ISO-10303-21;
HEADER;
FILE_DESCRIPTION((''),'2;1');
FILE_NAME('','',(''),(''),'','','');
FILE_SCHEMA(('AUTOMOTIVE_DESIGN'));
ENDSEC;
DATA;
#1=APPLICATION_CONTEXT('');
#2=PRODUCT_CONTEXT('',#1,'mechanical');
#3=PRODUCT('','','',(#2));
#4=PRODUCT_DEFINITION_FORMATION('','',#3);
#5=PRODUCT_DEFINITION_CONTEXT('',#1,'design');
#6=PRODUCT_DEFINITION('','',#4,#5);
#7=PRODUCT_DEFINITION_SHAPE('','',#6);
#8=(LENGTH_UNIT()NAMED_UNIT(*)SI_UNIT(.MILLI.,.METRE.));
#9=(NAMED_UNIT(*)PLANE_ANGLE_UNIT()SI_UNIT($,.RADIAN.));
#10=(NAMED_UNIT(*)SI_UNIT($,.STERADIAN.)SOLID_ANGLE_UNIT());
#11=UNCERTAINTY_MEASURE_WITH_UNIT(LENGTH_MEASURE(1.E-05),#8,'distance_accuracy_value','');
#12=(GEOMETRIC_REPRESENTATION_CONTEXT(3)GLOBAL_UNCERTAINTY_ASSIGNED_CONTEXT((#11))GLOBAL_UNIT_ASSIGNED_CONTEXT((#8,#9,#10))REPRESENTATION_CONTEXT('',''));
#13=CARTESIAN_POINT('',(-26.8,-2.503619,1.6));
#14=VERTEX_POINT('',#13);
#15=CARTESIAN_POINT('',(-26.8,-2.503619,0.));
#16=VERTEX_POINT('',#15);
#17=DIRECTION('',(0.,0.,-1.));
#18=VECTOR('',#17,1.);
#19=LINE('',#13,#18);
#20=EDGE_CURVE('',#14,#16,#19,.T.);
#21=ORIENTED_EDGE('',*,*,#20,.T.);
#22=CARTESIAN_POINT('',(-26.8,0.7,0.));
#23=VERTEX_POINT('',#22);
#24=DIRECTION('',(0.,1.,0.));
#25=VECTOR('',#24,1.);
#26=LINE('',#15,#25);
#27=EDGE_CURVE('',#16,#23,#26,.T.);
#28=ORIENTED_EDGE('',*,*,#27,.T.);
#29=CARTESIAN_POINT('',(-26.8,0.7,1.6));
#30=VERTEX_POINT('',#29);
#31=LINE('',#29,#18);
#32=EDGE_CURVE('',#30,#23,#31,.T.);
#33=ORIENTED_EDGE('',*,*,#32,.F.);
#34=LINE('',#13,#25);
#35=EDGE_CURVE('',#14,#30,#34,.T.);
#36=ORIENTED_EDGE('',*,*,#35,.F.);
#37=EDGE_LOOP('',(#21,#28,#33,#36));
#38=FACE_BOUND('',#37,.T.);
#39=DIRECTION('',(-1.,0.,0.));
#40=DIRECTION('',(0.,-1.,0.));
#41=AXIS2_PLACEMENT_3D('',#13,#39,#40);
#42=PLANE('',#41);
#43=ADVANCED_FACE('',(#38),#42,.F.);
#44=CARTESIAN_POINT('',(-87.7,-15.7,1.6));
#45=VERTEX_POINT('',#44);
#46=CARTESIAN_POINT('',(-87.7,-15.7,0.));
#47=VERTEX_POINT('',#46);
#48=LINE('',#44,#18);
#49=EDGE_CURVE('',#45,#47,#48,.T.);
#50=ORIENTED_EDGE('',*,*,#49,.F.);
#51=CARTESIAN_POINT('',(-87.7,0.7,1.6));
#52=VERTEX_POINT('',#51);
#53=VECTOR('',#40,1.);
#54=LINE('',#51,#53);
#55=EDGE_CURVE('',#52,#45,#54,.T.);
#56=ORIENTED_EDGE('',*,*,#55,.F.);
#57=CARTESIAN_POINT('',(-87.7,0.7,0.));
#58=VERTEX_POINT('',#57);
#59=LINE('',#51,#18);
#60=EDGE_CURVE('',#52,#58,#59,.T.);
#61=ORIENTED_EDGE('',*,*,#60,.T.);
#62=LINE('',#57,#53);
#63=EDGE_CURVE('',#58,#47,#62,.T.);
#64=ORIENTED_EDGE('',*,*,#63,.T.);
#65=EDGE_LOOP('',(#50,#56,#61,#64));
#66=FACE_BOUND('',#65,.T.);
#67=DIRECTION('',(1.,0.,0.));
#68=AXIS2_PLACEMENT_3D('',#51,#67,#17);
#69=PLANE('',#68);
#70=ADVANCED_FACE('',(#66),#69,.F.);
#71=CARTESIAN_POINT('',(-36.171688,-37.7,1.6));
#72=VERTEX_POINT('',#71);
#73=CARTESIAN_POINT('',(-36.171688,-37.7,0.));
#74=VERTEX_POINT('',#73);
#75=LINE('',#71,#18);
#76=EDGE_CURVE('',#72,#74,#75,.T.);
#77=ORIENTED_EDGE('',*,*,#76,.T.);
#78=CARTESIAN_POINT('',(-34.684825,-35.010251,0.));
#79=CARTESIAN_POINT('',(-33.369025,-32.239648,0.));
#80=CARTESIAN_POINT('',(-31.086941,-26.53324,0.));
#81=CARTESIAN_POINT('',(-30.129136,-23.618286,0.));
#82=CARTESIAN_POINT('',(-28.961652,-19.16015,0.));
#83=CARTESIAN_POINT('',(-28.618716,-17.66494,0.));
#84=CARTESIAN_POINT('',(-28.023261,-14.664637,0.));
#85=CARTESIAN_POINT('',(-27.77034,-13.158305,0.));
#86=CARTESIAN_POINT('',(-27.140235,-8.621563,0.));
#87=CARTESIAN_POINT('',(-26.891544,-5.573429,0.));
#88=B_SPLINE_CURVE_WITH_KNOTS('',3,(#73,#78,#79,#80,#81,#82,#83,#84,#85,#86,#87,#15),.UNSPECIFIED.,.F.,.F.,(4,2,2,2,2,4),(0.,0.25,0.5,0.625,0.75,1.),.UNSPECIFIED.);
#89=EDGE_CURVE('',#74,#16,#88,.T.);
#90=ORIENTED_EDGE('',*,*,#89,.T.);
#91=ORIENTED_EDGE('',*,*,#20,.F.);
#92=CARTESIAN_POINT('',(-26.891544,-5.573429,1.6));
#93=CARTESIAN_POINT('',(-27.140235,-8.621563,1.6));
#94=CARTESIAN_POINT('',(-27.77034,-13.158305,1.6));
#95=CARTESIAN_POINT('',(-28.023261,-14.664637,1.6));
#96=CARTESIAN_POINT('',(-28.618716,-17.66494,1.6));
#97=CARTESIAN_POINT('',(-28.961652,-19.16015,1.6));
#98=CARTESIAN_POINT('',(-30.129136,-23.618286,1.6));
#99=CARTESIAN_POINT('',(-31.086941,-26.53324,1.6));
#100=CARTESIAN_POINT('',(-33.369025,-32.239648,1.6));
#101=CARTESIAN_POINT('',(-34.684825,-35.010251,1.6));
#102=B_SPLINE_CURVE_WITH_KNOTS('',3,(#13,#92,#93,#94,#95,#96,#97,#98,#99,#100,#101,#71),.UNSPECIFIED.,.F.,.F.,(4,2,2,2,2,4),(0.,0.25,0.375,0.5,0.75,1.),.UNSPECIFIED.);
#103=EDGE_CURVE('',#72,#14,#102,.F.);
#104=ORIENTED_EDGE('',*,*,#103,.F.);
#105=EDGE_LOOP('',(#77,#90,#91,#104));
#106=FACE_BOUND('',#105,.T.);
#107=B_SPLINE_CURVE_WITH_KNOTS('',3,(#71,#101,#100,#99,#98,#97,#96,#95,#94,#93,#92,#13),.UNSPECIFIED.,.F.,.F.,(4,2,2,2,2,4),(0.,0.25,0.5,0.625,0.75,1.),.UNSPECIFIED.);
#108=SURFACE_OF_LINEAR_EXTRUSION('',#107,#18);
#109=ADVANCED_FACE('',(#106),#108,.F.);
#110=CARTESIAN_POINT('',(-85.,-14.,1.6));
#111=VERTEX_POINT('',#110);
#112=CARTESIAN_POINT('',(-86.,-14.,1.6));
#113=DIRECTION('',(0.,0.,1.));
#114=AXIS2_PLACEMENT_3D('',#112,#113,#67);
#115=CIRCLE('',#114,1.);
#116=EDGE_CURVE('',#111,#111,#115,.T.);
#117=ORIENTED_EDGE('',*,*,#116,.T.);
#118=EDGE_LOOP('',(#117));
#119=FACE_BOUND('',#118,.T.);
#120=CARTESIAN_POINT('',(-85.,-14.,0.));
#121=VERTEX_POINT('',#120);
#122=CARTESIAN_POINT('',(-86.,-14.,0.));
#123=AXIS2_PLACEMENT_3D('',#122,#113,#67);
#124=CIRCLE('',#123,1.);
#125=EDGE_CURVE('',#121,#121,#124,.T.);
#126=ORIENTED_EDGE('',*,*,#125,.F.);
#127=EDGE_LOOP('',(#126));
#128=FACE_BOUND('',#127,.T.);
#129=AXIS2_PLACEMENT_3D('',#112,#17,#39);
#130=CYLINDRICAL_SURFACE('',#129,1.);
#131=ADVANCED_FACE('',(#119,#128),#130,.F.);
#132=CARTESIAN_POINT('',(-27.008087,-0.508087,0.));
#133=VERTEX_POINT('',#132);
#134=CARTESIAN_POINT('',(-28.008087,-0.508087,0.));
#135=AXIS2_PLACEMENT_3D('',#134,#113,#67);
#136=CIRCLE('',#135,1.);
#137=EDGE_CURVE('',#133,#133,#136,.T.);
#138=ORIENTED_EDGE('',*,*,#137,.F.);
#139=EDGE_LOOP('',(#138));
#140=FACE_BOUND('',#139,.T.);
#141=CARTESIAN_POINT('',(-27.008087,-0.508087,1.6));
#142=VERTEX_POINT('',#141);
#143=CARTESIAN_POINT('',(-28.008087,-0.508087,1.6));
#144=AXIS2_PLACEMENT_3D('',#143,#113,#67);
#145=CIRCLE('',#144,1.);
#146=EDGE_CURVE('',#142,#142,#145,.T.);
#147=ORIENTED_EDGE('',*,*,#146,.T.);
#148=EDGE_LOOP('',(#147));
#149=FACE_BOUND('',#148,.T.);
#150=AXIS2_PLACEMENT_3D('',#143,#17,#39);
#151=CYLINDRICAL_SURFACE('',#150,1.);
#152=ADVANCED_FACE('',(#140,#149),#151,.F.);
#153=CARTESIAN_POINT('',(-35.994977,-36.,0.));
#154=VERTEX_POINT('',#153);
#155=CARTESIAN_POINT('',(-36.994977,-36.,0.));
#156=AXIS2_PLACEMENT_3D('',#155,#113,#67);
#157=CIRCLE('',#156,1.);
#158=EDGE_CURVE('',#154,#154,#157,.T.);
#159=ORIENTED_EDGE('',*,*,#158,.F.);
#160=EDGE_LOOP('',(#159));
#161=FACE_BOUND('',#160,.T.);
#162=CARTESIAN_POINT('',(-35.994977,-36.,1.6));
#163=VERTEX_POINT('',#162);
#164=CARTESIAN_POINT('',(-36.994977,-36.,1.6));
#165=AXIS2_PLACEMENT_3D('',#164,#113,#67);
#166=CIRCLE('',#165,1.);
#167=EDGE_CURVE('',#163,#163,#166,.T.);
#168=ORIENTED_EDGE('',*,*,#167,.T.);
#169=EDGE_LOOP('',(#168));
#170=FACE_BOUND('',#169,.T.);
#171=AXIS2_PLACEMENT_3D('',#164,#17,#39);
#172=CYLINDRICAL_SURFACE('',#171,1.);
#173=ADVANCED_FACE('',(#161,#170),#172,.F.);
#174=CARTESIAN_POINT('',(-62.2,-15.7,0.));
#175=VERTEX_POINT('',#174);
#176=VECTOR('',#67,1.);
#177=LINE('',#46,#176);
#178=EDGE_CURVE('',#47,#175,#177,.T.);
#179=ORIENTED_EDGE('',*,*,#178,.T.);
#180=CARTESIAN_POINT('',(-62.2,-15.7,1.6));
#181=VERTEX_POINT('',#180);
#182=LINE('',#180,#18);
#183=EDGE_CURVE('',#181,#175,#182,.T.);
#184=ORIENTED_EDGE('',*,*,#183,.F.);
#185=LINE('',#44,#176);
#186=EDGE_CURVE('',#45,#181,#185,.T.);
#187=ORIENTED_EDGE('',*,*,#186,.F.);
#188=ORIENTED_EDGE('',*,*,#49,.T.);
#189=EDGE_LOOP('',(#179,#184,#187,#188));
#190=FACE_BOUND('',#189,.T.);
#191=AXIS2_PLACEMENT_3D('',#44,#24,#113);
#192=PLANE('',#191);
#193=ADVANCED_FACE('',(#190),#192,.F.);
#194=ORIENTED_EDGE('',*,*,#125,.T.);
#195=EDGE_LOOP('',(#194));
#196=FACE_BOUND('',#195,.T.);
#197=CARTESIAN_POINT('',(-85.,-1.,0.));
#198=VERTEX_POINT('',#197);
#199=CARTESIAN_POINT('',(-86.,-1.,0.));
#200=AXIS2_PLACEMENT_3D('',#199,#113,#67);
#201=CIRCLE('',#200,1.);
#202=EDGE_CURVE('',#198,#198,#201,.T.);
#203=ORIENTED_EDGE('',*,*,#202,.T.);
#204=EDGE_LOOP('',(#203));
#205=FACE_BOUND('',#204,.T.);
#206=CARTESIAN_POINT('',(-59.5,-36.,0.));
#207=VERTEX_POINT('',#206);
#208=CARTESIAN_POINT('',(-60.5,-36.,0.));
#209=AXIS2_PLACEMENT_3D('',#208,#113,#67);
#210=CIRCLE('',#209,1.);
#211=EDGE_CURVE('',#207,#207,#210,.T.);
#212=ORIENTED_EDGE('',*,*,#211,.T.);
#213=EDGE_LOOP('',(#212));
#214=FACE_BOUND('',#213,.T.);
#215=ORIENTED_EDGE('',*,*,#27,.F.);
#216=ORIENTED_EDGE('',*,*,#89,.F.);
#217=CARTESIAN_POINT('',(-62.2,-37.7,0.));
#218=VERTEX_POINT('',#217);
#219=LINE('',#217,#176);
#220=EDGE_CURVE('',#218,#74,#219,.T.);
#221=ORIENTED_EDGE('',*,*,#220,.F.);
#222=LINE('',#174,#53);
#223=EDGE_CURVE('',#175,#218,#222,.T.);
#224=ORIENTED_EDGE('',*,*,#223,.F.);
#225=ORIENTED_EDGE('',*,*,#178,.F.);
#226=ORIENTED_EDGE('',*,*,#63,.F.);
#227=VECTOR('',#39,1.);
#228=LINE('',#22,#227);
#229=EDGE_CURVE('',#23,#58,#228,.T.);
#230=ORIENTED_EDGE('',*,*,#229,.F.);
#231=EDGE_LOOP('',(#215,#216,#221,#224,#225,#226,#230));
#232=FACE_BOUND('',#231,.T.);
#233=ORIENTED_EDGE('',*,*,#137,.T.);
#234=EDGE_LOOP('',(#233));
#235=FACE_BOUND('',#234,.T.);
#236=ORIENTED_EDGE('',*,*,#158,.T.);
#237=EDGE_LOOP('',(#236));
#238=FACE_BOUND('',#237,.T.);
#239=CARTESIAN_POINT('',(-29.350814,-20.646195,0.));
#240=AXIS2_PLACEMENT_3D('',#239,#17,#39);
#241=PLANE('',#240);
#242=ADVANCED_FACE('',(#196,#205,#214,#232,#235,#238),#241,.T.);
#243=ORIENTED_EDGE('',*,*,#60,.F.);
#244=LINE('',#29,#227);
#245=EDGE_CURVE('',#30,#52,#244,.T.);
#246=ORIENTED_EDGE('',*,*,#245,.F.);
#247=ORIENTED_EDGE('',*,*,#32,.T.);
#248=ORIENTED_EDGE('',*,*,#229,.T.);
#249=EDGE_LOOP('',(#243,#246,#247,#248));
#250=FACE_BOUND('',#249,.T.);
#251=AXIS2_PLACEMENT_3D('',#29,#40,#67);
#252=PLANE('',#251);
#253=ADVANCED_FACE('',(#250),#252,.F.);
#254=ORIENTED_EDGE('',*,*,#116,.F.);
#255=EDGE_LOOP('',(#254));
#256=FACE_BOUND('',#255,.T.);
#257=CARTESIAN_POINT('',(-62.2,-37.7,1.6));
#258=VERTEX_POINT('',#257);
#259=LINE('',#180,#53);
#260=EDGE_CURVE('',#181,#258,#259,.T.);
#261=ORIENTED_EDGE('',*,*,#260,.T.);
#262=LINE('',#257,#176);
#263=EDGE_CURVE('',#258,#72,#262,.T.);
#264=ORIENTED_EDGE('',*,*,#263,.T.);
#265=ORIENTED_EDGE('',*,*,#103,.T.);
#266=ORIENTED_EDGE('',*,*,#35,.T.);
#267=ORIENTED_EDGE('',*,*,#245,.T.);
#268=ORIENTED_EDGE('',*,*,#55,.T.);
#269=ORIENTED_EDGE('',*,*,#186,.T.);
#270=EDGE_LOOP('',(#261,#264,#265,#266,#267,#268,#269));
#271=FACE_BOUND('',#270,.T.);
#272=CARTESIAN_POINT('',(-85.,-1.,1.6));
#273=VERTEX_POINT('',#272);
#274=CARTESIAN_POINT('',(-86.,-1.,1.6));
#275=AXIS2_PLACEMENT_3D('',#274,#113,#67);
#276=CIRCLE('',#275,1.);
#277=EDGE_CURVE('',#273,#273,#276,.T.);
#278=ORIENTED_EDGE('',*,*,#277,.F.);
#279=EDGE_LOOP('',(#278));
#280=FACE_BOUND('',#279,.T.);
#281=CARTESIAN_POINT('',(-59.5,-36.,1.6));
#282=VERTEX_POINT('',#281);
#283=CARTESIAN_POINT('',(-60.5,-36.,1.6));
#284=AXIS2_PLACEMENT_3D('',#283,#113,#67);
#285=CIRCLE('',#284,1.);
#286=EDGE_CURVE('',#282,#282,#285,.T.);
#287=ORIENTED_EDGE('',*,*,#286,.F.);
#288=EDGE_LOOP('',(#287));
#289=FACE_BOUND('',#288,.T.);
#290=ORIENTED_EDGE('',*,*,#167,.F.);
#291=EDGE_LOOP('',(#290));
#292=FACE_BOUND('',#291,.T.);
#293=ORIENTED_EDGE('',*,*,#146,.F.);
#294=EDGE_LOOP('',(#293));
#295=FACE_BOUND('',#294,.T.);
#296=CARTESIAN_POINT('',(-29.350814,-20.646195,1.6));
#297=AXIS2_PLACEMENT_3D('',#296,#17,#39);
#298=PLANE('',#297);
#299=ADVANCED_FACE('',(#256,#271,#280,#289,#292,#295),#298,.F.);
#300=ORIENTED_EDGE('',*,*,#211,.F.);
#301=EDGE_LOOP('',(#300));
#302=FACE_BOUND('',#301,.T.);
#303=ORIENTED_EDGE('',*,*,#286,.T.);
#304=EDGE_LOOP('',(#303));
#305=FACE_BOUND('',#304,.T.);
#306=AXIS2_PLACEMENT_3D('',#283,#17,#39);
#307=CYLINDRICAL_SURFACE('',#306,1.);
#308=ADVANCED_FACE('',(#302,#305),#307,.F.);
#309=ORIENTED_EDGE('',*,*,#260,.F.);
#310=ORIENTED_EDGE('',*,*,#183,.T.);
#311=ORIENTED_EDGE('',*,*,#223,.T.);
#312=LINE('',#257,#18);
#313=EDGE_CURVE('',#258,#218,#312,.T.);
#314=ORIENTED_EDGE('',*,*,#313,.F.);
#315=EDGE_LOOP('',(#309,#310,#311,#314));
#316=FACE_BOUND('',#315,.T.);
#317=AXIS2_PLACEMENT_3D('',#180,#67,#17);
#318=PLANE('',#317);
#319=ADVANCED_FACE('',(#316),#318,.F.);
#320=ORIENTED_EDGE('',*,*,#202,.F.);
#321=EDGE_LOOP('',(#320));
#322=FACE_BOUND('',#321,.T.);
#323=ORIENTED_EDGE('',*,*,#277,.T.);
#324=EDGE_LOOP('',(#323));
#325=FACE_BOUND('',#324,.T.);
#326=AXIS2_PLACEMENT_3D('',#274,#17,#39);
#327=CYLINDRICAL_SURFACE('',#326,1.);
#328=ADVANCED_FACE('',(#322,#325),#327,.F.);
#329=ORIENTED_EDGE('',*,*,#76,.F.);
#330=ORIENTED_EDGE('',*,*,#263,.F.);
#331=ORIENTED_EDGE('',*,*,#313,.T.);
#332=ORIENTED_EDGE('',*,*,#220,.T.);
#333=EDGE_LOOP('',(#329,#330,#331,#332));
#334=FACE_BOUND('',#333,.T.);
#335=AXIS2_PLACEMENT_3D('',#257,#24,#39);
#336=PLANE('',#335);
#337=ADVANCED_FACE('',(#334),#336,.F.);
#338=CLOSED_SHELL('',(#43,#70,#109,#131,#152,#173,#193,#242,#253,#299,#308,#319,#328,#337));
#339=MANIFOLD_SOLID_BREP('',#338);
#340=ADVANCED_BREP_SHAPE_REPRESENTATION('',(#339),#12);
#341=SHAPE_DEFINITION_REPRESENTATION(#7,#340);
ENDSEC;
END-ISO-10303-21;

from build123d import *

# Parameters (mm, degrees)
SKETCH_1_R      = 1
EXTRUDE_1_DEPTH = 1.6


with BuildPart() as part:
    # 草图1 → 凸台-拉伸1 (new body)
    with BuildSketch(Plane.XY):
        with BuildLine():
            Line((-87.7, -15.7), (-62.2, -15.7))
            Line((-62.2, -15.7), (-62.2, -37.7))
            Line((-62.2, -37.7), (-36.171688324, -37.7))
            add(Edge.make_bspline(
                [(-36.171688324, -37.7), (-34.684824725, -35.010251168), (-33.36902465, -32.239648029), (-31.086941159, -26.53324039), (-30.129135695, -23.618286004), (-28.96165245, -19.160150204), (-28.618715853, -17.664940446), (-28.023260614, -14.664637138), (-27.770339575, -13.158305121), (-27.140235066, -8.621562635), (-26.891543642, -5.573428708), (-26.8, -2.503618714)],
                knots=[0, 0, 0, 0, 0.25, 0.25, 0.5, 0.5, 0.625, 0.625, 0.75, 0.75, 1, 1, 1, 1], degree=3))
            Line((-26.8, -2.503618714), (-26.8, 0.7))
            Line((-26.8, 0.7), (-87.7, 0.7))
            Line((-87.7, 0.7), (-87.7, -15.7))
        make_face()
        with Locations((-86, -1)):
            Circle(SKETCH_1_R, mode=Mode.SUBTRACT)
        with Locations((-86, -14)):
            Circle(SKETCH_1_R, mode=Mode.SUBTRACT)
        with Locations((-28.008087081, -0.508087081)):
            Circle(SKETCH_1_R, mode=Mode.SUBTRACT)
        with Locations((-36.994977349, -36)):
            Circle(SKETCH_1_R, mode=Mode.SUBTRACT)
        with Locations((-60.5, -36)):
            Circle(SKETCH_1_R, mode=Mode.SUBTRACT)
    extrude(amount=EXTRUDE_1_DEPTH)


solid = part.part
